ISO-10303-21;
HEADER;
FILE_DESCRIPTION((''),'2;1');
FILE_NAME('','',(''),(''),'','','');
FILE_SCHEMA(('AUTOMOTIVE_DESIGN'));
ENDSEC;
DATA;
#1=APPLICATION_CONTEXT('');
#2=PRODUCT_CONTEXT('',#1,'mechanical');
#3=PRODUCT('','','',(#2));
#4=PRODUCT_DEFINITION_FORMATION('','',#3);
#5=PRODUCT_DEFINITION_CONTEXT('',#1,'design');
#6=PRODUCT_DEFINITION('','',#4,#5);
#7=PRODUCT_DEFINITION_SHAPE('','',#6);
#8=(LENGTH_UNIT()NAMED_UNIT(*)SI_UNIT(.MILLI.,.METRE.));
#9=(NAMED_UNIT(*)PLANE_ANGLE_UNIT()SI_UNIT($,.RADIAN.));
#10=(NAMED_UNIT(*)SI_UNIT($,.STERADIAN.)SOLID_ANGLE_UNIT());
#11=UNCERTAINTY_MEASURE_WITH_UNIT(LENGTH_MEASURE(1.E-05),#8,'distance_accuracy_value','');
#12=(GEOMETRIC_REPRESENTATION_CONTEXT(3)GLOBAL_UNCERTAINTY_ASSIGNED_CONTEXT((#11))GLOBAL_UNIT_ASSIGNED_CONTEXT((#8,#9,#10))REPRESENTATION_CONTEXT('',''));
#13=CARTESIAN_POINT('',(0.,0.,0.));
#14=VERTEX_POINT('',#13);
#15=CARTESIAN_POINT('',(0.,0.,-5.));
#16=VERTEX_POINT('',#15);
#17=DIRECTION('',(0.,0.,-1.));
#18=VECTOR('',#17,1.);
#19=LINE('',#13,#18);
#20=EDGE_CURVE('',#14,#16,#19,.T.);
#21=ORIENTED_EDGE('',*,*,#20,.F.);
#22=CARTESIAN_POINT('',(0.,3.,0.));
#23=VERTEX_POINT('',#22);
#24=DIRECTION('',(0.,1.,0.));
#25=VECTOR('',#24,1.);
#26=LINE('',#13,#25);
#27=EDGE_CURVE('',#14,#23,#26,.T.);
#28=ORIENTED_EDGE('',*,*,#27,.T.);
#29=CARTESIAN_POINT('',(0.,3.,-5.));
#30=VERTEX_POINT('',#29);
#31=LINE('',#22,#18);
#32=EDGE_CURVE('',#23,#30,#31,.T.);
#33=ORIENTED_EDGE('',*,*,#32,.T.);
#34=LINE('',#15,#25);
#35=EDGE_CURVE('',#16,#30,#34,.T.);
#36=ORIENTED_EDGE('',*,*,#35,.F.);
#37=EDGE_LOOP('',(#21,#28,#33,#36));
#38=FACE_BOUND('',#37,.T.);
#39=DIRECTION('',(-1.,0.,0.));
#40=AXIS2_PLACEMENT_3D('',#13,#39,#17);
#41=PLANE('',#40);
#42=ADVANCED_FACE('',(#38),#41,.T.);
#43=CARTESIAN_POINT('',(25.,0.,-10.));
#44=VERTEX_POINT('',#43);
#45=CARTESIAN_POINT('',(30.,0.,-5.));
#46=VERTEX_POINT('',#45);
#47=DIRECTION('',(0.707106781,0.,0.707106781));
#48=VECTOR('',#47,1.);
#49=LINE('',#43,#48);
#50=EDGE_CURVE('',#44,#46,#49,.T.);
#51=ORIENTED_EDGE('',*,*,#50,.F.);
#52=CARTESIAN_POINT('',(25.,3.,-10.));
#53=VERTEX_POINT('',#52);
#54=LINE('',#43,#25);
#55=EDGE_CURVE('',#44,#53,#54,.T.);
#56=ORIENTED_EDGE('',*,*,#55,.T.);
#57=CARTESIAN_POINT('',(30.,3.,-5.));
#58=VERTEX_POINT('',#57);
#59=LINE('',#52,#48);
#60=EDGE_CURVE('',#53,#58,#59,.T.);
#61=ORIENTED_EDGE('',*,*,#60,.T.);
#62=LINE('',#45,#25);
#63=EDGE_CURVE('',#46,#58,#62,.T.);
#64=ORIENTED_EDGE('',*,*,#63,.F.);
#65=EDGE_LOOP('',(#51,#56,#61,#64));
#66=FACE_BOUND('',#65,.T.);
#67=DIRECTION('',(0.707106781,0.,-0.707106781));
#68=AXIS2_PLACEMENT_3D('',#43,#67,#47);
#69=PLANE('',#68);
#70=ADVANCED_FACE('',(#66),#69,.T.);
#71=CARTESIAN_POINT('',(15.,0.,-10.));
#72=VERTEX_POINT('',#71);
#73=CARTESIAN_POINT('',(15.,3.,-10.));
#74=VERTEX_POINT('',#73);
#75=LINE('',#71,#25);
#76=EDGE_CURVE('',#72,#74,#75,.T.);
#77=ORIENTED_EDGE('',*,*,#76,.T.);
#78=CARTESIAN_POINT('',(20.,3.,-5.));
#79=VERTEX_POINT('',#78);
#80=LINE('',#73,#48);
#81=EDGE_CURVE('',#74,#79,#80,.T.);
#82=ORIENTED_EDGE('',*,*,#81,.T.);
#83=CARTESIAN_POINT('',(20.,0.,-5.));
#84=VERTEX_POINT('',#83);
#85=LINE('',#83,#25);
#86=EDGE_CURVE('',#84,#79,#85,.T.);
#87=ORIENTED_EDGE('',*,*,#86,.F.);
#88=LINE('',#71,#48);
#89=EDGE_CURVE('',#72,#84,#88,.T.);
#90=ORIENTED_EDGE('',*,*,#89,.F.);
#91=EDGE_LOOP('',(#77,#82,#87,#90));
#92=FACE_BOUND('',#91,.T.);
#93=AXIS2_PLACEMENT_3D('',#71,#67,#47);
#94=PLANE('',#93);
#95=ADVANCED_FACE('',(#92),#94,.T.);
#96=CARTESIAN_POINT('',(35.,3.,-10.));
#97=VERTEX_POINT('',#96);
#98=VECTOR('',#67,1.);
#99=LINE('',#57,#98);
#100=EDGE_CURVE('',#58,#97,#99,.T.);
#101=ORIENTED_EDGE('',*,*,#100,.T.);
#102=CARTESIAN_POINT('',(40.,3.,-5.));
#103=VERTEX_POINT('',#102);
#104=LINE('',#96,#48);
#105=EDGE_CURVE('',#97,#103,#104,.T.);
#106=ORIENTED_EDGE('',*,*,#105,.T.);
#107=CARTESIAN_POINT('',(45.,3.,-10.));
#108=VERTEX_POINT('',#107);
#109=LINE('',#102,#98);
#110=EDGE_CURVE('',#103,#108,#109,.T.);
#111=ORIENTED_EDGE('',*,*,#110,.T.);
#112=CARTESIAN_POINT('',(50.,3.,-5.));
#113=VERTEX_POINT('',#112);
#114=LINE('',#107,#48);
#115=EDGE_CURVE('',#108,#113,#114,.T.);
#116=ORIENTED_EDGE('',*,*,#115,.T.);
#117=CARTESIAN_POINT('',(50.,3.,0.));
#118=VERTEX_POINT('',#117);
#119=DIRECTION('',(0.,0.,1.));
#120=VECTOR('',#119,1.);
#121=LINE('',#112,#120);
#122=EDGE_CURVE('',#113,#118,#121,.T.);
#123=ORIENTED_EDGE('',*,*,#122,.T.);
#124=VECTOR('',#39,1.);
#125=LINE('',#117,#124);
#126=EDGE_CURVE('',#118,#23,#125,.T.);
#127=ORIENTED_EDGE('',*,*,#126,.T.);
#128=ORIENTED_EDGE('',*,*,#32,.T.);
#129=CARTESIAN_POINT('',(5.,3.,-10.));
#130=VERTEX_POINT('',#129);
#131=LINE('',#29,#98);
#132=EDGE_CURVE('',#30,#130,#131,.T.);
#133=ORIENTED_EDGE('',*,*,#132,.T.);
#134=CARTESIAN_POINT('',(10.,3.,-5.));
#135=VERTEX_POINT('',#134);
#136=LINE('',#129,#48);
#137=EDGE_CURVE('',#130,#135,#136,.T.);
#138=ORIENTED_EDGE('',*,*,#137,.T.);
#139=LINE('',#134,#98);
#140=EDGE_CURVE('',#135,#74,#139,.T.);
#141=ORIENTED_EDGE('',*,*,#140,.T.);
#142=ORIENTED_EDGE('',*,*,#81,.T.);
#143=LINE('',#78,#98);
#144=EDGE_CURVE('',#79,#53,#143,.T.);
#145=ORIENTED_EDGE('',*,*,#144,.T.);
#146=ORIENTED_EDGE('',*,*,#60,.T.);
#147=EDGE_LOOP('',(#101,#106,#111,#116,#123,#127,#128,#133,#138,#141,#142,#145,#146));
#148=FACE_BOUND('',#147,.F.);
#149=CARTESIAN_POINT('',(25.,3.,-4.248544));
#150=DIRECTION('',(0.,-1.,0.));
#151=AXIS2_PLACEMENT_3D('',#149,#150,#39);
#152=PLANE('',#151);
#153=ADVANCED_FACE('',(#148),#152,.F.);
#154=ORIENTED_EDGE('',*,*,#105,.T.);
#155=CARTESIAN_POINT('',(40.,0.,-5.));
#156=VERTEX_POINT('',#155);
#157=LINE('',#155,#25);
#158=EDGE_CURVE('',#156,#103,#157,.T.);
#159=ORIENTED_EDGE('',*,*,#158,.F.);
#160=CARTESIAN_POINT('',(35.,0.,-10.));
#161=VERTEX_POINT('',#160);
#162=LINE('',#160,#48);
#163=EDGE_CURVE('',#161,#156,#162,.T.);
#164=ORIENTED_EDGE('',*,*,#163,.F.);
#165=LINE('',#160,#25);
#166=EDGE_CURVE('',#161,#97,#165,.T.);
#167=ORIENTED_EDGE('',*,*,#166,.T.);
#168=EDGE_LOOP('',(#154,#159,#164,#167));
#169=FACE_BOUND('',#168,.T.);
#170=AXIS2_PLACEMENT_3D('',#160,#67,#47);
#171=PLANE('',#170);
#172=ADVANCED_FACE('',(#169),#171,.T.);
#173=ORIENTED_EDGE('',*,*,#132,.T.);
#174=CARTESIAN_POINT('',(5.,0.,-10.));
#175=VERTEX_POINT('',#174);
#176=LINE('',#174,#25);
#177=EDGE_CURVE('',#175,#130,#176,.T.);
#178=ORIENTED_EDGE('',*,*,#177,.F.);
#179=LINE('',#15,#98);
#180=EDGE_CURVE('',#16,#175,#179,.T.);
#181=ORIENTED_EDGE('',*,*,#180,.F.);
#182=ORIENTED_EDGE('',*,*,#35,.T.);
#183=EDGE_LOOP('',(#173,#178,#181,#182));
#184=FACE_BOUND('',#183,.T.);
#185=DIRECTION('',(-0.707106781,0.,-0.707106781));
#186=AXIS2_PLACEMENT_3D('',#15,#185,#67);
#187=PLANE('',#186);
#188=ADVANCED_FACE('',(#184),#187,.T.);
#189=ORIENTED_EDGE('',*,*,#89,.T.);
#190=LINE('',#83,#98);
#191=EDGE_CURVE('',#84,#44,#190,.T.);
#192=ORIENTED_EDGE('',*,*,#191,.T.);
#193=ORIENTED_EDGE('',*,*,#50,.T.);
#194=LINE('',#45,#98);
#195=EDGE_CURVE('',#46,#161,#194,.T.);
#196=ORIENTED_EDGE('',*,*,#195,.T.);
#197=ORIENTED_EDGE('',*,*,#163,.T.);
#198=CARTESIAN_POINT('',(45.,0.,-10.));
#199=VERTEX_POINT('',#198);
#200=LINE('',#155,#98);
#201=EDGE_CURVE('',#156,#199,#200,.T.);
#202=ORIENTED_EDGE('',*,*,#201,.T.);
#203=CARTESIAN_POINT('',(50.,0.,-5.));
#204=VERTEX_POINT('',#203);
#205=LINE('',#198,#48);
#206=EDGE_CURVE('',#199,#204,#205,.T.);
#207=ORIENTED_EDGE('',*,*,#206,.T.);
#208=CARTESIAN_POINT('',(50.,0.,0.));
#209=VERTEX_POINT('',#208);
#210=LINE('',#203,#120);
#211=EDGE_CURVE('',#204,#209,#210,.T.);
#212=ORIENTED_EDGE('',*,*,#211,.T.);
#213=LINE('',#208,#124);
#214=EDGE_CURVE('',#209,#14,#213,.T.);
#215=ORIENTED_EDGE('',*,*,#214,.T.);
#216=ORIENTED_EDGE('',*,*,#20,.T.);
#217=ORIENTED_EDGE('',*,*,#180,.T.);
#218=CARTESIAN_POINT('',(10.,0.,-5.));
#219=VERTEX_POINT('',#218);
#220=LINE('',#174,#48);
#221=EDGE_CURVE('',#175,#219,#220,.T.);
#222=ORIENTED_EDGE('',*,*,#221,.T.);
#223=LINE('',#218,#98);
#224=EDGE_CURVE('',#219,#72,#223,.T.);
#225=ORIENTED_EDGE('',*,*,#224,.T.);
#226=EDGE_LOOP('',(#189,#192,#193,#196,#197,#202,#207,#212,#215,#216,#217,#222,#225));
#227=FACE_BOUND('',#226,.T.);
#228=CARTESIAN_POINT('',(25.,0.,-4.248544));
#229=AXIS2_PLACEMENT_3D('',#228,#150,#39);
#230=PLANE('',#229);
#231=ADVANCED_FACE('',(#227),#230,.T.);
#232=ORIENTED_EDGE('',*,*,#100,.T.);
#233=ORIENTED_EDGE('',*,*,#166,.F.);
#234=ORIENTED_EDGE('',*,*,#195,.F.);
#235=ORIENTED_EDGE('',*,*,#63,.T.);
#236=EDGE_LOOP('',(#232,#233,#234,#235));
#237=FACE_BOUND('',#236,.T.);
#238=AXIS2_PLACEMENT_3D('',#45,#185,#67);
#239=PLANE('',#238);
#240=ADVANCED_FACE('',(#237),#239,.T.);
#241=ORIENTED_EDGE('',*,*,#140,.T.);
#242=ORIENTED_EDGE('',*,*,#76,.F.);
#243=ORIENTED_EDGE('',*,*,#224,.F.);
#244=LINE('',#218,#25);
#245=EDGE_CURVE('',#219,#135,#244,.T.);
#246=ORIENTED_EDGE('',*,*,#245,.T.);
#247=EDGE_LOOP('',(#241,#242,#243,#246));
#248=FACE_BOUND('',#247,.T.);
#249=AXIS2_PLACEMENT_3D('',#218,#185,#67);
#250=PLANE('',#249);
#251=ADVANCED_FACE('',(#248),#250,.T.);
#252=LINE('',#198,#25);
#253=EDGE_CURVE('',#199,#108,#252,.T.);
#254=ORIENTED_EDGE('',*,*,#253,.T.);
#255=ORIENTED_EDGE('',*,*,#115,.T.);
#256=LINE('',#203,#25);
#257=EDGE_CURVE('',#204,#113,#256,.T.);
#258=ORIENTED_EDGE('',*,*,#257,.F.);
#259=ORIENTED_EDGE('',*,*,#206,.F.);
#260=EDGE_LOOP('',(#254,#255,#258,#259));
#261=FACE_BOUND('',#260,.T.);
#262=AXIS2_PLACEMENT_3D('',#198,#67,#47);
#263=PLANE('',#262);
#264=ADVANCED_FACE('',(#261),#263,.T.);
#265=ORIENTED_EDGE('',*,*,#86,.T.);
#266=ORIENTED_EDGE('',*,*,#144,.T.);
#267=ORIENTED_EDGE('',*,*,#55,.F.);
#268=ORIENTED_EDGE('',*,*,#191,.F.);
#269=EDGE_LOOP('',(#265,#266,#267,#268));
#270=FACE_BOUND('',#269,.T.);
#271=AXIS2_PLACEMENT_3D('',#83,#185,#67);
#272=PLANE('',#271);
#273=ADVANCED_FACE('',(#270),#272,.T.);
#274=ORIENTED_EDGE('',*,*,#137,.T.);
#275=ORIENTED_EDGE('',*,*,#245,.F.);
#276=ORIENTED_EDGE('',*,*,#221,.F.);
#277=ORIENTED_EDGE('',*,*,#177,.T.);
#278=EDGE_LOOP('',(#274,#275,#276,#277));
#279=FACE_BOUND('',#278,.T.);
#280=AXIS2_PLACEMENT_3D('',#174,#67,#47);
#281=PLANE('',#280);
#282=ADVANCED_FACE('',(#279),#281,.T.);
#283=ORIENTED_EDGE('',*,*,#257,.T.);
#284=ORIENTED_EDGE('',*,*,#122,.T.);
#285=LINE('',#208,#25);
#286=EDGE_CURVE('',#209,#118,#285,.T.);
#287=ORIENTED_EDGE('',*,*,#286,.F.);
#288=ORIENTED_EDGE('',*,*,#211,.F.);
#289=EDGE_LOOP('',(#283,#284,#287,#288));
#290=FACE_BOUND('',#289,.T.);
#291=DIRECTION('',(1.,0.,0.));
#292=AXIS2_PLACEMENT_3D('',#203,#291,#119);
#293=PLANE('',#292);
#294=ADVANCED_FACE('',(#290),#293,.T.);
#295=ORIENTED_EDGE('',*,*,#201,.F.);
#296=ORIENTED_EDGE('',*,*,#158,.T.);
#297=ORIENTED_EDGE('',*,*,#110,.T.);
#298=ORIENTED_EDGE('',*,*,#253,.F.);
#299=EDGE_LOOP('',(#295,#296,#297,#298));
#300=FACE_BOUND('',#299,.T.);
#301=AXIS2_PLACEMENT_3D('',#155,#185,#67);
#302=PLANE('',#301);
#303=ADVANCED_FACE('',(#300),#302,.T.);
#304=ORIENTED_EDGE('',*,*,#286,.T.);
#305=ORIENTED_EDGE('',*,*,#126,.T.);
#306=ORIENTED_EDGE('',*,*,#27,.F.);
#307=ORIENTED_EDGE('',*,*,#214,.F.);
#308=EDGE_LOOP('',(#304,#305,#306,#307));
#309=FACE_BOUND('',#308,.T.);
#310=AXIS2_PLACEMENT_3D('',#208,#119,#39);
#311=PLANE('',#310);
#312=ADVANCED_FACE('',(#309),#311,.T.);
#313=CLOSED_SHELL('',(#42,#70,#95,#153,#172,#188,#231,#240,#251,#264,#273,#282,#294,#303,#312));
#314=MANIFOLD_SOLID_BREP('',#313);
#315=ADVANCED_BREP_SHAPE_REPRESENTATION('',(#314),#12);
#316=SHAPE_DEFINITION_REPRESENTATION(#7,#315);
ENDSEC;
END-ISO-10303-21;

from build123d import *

# Parameters (mm, degrees)
BOSS_EXTRUDE1_DEPTH = 3


with BuildPart() as part:
    # Sketch1 → Boss-Extrude1 (new body)
    with BuildSketch(Plane(origin=(0, 0, 0), x_dir=(1, 0, 0), z_dir=(0, 1, 0))):
        Polygon((0, 5), (5, 10), (10, 5), (15, 10), (20, 5), (25, 10), (30, 5), (35, 10), (40, 5), (45, 10), (50, 5), (50, 0), (0, 0), align=None)
    extrude(amount=BOSS_EXTRUDE1_DEPTH)


solid = part.part
